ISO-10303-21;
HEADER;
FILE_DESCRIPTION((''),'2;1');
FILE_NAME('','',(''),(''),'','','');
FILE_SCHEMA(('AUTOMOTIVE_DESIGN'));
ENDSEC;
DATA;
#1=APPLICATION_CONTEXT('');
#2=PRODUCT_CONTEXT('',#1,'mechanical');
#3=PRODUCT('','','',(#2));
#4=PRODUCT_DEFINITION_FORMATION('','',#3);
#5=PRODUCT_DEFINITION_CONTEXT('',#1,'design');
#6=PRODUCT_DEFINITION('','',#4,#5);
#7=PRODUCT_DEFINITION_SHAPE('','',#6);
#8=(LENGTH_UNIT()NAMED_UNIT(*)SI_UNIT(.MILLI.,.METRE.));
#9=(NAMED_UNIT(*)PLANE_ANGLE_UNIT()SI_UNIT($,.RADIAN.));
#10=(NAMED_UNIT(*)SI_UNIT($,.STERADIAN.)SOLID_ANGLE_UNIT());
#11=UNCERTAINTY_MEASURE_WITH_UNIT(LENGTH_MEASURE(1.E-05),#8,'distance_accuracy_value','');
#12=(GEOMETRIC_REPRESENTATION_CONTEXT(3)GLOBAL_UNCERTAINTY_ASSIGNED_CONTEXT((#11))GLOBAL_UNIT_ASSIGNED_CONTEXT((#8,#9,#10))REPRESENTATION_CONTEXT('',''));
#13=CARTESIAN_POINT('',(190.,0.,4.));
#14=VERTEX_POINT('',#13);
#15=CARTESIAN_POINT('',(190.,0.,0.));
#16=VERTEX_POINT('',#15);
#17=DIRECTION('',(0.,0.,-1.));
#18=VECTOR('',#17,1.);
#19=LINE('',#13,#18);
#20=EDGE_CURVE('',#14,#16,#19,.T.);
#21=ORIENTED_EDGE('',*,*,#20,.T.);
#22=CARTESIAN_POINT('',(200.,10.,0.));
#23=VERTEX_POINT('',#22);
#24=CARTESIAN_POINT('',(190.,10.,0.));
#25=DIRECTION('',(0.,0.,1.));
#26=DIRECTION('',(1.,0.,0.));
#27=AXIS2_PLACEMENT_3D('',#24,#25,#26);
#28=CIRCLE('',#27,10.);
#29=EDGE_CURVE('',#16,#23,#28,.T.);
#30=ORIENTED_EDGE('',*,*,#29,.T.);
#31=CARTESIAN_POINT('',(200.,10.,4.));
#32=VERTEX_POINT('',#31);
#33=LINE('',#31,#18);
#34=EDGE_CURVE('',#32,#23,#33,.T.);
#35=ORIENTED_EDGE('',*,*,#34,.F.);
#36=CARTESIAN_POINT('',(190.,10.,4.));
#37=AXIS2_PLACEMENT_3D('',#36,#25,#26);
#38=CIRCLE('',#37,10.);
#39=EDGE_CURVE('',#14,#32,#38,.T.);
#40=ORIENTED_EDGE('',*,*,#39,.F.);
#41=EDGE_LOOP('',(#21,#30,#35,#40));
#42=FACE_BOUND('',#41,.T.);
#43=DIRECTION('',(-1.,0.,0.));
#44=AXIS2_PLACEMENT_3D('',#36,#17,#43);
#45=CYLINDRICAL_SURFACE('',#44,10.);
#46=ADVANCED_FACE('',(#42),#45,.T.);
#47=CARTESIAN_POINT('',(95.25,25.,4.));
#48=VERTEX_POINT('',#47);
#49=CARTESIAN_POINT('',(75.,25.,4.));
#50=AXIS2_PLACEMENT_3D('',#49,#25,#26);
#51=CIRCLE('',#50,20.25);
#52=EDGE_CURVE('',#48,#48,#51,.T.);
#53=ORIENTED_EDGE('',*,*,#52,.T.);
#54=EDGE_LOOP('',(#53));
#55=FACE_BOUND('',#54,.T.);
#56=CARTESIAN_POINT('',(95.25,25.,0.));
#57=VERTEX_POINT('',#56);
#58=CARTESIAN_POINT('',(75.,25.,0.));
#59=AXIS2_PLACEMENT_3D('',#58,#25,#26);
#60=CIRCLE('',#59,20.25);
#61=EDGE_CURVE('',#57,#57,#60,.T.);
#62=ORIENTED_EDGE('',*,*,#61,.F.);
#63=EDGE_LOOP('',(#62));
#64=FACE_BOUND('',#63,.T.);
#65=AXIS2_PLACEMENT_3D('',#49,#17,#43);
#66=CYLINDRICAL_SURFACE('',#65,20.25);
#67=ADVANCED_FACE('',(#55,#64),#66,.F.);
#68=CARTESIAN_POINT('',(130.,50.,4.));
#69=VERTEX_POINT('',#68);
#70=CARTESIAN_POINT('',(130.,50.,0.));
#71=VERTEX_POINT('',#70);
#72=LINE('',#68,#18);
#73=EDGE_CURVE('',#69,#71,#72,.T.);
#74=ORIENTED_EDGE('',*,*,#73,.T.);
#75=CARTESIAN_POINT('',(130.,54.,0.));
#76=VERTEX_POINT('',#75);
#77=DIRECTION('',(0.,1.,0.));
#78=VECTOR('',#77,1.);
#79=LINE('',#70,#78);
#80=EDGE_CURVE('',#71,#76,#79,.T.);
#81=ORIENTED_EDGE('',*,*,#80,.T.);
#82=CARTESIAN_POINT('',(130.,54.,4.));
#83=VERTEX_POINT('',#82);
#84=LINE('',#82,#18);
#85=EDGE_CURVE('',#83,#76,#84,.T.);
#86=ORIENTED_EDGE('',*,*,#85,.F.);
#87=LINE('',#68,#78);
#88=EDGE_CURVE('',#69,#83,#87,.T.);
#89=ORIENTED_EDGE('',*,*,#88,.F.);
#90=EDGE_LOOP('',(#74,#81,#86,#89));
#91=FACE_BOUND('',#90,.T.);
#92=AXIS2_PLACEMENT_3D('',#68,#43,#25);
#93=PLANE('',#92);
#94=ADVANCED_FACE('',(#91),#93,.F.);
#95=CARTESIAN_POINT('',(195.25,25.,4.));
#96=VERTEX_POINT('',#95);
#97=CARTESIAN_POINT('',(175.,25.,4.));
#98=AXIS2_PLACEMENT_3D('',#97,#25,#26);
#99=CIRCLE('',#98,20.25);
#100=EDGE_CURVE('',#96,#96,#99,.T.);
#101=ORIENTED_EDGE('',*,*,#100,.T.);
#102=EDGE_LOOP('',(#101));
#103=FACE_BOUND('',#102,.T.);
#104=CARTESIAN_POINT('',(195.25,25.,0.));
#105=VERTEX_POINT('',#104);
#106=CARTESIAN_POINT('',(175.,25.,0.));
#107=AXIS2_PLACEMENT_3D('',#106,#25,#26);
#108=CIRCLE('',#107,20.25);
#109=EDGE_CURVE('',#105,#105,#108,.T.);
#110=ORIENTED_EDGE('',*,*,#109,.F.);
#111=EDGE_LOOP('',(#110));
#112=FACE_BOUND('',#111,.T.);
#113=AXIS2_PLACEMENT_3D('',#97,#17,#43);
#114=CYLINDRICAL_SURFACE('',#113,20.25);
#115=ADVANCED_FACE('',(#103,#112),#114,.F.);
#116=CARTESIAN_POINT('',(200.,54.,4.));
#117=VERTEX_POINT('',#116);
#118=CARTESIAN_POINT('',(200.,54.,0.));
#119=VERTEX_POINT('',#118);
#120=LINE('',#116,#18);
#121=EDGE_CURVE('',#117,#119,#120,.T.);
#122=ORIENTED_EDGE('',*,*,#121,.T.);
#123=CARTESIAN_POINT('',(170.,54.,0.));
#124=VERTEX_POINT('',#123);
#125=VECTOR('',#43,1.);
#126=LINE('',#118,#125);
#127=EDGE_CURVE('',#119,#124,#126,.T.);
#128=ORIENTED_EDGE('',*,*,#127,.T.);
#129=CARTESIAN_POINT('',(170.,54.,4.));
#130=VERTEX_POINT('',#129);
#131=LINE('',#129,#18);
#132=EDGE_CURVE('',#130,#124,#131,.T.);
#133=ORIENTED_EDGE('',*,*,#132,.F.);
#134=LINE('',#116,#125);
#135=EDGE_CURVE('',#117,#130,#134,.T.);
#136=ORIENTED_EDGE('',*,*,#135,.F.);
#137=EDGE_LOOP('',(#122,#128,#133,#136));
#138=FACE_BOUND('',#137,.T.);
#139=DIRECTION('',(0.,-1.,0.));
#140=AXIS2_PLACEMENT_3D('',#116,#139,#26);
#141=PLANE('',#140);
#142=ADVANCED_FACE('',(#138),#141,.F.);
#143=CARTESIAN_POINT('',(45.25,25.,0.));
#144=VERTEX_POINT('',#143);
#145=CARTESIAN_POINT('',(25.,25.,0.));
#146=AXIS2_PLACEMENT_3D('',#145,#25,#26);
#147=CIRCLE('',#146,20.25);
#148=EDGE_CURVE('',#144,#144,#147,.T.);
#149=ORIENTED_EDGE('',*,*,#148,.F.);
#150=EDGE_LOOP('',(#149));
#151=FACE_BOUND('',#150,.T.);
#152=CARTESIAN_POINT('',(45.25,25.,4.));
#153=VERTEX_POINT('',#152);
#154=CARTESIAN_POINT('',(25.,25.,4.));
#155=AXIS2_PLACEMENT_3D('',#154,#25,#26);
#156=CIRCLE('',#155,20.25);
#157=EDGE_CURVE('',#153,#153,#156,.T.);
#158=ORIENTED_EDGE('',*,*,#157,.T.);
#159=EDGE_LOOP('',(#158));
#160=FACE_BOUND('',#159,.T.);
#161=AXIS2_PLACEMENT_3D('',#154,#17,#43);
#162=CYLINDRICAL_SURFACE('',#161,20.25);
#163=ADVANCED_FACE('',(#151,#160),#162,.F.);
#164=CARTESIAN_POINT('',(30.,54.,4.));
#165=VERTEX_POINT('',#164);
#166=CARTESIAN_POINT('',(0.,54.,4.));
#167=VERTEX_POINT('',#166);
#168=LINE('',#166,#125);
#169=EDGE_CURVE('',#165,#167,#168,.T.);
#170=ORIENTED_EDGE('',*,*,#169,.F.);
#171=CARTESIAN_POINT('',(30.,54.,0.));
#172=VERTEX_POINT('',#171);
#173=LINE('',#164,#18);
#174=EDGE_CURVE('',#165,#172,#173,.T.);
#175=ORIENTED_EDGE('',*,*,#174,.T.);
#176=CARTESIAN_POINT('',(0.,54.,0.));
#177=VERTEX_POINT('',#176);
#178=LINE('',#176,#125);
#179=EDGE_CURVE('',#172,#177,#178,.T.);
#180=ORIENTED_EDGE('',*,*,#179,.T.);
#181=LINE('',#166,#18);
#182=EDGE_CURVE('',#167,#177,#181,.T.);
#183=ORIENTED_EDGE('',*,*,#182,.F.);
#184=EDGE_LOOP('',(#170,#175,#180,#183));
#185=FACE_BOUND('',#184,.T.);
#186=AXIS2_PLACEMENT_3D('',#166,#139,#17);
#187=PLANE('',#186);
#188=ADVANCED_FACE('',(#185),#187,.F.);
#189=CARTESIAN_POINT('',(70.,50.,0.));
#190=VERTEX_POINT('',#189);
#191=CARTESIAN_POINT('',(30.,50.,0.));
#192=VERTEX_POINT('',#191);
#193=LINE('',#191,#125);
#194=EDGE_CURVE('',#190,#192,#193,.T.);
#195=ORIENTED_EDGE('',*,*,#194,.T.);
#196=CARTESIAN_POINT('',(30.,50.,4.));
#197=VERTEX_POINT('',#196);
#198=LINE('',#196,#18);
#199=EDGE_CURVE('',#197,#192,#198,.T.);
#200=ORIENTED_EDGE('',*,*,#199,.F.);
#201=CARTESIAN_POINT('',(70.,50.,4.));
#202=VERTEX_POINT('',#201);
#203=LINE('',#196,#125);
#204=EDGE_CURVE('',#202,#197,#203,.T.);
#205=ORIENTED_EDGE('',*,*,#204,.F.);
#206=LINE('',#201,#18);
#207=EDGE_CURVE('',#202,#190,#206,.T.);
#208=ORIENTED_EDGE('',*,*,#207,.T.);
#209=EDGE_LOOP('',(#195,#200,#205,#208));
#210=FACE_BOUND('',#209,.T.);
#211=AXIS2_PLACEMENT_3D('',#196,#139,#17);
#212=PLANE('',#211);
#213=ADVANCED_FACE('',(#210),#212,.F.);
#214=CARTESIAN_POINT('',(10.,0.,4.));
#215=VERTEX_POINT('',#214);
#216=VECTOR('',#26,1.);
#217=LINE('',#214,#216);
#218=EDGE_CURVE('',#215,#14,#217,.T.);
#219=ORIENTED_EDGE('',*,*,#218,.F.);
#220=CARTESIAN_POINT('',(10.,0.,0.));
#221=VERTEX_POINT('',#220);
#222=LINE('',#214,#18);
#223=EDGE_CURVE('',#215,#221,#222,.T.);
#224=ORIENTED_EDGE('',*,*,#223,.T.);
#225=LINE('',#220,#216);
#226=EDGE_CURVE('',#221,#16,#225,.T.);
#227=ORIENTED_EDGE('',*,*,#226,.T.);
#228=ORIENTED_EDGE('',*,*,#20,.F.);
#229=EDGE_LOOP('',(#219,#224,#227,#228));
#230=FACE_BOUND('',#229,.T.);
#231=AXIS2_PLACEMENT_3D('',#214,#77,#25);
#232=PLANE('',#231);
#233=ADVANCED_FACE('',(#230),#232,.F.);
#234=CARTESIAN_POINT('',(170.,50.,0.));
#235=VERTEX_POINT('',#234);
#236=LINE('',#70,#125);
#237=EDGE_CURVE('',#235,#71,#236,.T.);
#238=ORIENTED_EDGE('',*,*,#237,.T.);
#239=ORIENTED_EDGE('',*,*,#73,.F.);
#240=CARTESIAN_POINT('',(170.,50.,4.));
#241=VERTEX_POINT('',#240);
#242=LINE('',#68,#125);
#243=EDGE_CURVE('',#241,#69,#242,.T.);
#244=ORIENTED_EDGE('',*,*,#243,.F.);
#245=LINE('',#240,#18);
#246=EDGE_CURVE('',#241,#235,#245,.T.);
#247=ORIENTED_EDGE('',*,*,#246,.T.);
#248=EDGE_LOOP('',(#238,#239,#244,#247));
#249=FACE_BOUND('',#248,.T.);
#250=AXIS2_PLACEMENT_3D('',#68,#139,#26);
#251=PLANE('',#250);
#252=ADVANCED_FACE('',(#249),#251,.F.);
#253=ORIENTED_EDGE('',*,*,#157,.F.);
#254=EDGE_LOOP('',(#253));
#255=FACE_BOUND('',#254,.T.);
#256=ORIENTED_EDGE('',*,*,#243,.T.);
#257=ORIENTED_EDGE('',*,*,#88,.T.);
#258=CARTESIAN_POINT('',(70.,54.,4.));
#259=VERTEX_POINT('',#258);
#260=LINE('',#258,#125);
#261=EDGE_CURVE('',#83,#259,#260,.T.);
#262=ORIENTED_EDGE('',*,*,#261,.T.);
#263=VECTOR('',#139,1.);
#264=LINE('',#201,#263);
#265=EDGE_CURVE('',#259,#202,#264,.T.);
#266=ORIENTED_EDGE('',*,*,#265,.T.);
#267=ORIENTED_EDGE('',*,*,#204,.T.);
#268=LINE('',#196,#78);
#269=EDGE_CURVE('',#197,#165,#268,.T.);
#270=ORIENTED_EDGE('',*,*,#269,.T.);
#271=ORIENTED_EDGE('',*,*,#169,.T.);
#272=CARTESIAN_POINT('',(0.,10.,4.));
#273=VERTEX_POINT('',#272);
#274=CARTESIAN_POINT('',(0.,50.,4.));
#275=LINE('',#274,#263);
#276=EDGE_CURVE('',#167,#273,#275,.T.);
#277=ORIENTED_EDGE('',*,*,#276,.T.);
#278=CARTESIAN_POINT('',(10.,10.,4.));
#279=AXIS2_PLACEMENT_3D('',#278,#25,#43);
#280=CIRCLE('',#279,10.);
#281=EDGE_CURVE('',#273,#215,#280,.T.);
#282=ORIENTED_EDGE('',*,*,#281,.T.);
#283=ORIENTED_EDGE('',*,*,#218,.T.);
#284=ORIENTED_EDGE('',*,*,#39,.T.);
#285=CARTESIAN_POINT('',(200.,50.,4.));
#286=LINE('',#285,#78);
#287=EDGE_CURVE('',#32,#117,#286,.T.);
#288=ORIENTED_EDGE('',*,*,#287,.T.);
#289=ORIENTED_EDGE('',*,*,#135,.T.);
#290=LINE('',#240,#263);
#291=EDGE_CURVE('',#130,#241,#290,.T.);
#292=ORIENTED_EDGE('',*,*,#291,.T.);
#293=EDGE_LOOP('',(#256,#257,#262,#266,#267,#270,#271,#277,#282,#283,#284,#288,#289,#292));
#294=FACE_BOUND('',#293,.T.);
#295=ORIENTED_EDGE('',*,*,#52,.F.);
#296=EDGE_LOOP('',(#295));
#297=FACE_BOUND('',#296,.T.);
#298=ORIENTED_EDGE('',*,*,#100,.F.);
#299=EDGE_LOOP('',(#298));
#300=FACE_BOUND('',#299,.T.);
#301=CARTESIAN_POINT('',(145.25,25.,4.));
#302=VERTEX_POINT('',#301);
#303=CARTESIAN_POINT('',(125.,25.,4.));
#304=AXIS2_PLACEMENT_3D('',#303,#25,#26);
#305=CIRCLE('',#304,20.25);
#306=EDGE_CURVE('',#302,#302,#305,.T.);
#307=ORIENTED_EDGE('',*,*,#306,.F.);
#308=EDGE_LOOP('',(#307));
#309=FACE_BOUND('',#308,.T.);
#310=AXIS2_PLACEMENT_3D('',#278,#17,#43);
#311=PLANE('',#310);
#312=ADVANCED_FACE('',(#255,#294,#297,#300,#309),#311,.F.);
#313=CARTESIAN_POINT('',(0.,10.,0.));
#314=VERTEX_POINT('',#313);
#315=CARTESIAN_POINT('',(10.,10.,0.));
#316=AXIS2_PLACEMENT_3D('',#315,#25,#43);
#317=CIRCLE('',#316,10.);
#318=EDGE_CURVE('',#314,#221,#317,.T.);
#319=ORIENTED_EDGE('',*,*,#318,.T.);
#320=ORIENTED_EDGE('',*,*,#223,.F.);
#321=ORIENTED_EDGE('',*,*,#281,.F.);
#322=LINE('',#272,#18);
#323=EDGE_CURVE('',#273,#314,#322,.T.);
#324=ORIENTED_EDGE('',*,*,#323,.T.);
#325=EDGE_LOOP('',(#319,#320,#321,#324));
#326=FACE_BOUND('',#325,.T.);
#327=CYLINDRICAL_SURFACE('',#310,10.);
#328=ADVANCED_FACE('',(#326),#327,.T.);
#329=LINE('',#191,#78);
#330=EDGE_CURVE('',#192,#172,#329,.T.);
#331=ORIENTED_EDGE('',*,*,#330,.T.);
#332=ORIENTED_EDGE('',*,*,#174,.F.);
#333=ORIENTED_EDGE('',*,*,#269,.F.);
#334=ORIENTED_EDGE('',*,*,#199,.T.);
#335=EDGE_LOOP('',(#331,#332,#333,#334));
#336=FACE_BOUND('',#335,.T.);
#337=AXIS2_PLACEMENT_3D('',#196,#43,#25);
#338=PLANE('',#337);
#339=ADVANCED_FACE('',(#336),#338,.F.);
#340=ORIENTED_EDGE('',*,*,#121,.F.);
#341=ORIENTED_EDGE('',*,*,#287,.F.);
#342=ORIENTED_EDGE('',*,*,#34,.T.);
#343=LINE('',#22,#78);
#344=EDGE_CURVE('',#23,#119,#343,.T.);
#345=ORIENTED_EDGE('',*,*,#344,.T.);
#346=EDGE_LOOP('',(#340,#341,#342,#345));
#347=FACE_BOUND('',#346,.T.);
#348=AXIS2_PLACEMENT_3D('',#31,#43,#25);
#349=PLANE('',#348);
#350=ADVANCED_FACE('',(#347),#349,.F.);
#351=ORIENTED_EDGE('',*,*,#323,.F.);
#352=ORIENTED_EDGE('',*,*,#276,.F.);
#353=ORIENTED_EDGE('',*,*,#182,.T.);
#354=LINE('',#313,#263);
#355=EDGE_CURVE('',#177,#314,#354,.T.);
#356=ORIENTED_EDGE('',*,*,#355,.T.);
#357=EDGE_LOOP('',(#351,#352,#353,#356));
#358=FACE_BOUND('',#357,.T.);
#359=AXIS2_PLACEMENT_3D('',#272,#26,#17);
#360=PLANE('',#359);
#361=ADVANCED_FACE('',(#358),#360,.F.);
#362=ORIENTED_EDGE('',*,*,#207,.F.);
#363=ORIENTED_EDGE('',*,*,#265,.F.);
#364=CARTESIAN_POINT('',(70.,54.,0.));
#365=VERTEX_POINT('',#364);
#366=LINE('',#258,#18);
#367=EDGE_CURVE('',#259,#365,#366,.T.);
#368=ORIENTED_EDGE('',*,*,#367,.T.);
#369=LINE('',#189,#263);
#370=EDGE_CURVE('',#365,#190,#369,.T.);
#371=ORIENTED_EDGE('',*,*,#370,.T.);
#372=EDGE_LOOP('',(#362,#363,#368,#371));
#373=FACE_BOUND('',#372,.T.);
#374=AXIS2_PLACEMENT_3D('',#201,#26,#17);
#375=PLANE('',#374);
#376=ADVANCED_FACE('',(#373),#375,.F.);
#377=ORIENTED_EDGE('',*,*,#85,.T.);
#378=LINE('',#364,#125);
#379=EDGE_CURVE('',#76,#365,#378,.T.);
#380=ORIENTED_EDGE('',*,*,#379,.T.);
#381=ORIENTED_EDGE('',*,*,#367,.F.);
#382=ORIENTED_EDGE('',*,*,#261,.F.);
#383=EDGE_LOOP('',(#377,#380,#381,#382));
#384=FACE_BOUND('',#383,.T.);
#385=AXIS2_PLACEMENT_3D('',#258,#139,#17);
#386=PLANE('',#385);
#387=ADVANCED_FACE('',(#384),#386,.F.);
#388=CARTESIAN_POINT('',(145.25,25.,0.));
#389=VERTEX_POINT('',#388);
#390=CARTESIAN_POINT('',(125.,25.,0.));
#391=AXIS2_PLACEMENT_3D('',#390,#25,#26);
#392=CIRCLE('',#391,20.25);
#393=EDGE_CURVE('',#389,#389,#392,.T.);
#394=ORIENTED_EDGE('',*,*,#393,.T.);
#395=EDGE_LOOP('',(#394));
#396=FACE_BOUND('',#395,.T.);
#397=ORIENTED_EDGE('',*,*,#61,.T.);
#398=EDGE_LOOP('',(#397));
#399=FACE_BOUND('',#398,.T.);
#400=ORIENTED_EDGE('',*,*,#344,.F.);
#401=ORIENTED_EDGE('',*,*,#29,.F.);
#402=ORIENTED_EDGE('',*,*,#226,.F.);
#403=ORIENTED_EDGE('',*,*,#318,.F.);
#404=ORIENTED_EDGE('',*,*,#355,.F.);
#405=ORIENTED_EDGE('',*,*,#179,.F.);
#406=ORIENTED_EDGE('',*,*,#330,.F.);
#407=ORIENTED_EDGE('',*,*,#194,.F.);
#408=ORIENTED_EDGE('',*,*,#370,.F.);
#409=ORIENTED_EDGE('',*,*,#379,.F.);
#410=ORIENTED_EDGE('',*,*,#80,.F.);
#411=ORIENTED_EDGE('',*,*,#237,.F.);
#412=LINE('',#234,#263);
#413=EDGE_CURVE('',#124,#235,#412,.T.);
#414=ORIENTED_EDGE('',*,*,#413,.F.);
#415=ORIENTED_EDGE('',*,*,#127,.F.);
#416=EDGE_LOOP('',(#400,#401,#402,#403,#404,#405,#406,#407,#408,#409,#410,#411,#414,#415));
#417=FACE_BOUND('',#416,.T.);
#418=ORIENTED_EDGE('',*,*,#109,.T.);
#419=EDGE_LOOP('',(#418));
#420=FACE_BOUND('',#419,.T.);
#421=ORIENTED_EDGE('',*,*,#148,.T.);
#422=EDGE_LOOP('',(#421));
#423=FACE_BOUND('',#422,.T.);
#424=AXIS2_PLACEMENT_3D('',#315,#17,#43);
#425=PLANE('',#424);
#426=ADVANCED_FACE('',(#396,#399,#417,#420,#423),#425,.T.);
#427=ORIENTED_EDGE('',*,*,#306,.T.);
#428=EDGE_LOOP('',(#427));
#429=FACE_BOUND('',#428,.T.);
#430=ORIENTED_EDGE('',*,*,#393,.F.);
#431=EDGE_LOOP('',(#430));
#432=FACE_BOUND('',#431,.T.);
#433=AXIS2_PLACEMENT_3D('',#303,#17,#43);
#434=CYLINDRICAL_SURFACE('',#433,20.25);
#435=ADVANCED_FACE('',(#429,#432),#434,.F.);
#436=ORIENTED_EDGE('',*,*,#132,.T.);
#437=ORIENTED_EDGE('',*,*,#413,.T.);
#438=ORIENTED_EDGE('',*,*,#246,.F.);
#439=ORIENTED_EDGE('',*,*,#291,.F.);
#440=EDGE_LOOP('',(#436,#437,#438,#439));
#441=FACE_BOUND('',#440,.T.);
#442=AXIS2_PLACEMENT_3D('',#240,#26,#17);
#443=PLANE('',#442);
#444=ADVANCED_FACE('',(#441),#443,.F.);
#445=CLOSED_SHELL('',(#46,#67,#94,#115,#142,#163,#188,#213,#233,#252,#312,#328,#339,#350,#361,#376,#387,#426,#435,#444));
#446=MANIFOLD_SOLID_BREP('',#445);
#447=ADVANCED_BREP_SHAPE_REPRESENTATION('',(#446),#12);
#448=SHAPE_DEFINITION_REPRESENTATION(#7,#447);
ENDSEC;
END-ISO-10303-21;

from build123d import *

# Parameters (mm, degrees)
SKETCH1_R           = 20.25
BOSS_EXTRUDE1_DEPTH = 4


with BuildPart() as part:
    # Sketch1 → Boss-Extrude1 (new body)
    with BuildSketch(Plane.XY):
        with BuildLine():
            Line((10, 0), (190, 0))
            ThreePointArc((190, 0), (197.071067812, 2.928932188), (200, 10))
            Line((200, 10), (200, 50))
            Line((200, 50), (200, 54))
            Line((200, 54), (170, 54))
            Line((170, 54), (170, 50))
            Line((170, 50), (130, 50))
            Line((130, 50), (130, 54))
            Line((130, 54), (70, 54))
            Line((70, 54), (70, 50))
            Line((70, 50), (30, 50))
            Line((30, 50), (30, 54))
            Line((30, 54), (0, 54))
            Line((0, 54), (0, 50))
            Line((0, 50), (0, 10))
            ThreePointArc((0, 10), (2.928932188, 2.928932188), (10, 0))
        make_face()
        with Locations((25, 25)):
            Circle(SKETCH1_R, mode=Mode.SUBTRACT)
        with Locations((75, 25)):
            Circle(SKETCH1_R, mode=Mode.SUBTRACT)
        with Locations((125, 25)):
            Circle(SKETCH1_R, mode=Mode.SUBTRACT)
        with Locations((175, 25)):
            Circle(SKETCH1_R, mode=Mode.SUBTRACT)
    extrude(amount=BOSS_EXTRUDE1_DEPTH)


solid = part.part
